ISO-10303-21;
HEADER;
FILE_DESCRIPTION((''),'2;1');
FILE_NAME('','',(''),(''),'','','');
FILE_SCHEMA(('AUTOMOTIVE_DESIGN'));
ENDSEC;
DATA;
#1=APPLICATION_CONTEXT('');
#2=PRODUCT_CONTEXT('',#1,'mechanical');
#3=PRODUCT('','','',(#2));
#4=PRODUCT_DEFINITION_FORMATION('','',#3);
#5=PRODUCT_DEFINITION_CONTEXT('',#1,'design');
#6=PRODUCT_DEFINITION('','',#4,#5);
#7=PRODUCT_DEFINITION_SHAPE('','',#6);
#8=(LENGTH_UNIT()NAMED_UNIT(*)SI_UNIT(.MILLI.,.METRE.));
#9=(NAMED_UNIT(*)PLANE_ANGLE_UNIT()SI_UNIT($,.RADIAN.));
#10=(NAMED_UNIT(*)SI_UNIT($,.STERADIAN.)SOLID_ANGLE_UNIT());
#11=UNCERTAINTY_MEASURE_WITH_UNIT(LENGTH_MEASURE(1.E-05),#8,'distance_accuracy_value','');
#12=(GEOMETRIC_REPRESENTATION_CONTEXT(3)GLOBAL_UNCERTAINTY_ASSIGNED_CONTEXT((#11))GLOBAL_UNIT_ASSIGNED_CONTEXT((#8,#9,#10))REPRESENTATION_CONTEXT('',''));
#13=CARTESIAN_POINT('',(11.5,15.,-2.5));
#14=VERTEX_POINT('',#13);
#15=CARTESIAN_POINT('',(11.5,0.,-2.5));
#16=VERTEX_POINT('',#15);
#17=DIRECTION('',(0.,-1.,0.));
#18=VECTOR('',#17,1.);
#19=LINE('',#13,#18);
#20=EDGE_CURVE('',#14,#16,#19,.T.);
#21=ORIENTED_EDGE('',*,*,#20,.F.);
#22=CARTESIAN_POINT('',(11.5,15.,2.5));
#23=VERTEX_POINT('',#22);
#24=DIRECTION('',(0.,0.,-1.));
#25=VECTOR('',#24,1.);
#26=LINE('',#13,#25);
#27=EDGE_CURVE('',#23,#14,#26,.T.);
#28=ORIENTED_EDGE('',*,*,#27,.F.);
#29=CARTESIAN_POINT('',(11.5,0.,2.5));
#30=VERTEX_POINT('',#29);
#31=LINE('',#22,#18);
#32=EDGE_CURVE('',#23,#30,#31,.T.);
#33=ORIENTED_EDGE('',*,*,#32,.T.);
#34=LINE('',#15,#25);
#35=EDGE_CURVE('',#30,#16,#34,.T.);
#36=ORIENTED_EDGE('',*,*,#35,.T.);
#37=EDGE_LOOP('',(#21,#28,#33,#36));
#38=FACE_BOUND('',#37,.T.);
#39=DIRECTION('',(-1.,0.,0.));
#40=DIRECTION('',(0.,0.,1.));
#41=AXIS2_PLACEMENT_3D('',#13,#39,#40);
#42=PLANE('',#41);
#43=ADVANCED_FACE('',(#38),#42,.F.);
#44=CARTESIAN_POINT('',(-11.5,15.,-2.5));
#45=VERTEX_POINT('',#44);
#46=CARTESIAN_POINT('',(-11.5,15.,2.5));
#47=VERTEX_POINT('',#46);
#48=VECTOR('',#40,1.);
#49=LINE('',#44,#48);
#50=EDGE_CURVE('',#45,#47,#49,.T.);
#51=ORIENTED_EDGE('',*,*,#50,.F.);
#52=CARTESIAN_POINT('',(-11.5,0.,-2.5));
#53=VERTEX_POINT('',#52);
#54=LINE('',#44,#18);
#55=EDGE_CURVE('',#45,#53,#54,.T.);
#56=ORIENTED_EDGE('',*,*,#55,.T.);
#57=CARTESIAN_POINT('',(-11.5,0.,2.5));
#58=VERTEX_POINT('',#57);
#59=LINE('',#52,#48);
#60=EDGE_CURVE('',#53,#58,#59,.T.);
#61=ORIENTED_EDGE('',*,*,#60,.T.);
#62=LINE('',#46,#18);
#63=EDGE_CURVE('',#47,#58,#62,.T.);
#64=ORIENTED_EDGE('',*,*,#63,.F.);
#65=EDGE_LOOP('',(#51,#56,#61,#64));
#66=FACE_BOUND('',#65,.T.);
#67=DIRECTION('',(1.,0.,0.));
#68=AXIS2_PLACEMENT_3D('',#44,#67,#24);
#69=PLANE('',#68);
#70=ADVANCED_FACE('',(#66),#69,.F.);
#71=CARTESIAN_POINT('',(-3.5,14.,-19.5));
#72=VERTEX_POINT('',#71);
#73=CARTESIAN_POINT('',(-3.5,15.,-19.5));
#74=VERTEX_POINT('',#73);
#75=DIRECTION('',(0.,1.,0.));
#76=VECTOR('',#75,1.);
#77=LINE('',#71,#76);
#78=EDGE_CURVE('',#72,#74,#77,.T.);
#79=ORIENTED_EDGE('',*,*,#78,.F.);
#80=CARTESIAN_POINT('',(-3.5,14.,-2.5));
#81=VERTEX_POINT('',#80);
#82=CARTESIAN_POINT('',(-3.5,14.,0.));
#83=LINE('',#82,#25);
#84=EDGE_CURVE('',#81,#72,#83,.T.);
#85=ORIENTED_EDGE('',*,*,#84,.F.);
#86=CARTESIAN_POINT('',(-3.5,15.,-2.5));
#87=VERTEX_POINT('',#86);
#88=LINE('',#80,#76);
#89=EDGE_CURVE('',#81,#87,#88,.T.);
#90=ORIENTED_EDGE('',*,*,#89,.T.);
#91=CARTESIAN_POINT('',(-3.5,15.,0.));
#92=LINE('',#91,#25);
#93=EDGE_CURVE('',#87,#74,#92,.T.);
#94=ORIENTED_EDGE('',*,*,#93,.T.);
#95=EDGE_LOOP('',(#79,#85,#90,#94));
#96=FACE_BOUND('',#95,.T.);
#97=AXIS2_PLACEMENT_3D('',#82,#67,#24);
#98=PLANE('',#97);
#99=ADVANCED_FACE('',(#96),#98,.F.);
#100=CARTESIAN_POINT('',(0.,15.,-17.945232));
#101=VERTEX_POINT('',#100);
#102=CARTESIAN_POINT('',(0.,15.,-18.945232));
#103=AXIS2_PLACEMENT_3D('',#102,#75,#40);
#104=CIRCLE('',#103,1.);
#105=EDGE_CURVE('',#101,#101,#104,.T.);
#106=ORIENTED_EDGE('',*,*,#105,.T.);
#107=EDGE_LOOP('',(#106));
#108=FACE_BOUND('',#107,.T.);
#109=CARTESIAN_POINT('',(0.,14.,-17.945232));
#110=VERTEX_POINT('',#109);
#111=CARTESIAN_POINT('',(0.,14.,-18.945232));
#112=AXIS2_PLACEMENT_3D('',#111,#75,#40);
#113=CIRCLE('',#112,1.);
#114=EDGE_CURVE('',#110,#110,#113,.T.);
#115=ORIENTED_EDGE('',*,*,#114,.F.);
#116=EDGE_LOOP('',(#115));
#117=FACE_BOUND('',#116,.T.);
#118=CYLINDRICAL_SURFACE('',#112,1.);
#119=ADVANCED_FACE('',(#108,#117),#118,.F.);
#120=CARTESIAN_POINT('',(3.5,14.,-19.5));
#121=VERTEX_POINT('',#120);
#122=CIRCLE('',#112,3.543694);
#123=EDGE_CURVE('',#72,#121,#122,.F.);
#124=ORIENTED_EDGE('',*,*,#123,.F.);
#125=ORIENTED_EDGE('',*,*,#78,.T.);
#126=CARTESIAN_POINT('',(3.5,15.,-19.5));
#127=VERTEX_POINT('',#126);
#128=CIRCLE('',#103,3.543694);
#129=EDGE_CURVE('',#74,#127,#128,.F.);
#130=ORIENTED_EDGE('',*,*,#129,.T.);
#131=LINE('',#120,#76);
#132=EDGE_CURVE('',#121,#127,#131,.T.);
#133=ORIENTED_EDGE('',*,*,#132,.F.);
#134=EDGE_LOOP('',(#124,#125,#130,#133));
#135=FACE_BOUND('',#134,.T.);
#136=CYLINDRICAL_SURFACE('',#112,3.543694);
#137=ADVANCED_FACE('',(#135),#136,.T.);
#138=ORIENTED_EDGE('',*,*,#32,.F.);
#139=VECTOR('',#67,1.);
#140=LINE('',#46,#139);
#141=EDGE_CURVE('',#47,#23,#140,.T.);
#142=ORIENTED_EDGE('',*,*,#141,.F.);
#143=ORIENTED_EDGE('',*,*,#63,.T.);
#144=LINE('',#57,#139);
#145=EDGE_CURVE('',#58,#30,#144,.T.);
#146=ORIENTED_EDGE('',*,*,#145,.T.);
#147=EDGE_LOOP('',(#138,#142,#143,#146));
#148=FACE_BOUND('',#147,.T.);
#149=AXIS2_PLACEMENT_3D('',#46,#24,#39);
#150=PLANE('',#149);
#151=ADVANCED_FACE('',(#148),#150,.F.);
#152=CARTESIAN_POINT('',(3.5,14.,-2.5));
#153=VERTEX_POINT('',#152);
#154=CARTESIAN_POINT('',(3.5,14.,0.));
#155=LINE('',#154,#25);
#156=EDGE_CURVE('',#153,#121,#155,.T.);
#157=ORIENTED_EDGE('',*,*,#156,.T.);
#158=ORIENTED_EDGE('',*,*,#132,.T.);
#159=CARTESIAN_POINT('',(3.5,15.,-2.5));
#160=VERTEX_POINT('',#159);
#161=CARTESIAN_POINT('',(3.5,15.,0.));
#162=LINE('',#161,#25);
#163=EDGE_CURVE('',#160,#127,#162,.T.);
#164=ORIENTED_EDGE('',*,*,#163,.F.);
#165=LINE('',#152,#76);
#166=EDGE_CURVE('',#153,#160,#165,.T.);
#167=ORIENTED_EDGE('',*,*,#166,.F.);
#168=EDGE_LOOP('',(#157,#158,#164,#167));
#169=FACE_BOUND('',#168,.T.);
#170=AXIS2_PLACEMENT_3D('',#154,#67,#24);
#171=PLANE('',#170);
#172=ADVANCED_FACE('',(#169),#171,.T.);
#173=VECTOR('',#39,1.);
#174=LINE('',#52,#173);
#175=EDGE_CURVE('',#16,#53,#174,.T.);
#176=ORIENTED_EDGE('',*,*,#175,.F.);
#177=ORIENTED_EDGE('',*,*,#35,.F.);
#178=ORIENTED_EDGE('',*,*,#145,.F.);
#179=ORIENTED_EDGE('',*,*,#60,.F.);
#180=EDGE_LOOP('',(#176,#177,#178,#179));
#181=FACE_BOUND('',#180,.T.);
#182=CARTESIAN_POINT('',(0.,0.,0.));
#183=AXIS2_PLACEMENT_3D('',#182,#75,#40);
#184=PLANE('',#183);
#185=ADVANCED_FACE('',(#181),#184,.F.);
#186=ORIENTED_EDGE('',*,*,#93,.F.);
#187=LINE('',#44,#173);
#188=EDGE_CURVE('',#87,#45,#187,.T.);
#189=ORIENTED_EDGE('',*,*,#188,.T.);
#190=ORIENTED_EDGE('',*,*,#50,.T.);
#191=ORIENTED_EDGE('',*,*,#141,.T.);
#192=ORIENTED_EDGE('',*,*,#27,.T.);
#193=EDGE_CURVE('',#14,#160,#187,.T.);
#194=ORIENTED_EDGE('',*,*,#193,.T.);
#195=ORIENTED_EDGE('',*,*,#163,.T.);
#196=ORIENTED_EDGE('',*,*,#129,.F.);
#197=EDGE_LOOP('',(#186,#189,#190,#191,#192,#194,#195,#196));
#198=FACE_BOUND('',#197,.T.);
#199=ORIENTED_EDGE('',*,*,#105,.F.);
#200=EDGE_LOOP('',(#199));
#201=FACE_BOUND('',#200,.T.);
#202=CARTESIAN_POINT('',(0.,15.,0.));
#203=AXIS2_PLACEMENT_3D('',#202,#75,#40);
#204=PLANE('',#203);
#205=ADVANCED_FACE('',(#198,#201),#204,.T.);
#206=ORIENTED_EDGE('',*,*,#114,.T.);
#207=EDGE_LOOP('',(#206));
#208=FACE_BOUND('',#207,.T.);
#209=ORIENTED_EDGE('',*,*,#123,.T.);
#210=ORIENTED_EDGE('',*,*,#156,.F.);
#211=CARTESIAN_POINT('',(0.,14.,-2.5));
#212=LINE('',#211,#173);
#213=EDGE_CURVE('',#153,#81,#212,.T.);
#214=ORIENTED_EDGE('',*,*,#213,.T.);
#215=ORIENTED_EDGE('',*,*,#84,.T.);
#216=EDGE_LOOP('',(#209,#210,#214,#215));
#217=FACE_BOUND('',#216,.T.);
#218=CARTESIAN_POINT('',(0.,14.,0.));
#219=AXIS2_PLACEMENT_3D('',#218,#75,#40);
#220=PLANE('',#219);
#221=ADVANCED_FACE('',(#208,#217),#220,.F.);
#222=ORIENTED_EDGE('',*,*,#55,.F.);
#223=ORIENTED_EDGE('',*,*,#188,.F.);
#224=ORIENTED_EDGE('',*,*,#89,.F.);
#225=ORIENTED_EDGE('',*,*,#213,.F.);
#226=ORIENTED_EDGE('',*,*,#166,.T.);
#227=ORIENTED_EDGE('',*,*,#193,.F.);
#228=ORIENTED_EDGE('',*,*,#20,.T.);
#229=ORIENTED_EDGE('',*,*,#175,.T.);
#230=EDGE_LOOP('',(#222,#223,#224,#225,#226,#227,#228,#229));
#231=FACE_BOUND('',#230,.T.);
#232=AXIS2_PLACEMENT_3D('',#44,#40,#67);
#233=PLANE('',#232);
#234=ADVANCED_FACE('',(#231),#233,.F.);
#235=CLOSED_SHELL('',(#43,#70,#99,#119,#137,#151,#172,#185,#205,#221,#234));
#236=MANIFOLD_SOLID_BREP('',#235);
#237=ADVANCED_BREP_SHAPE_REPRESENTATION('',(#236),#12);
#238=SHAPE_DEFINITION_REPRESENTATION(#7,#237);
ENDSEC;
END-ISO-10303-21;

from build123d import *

# Parameters (mm, degrees)
SKETCH1_W           = 23
SKETCH1_H           = 5
BOSS_EXTRUDE1_DEPTH = 15
SKETCH3_R           = 1
BOSS_EXTRUDE4_DEPTH = 1


with BuildPart() as part:
    # Sketch1 → Boss-Extrude1 (new body)
    with BuildSketch(Plane(origin=(0, 0, 0), x_dir=(1, 0, 0), z_dir=(0, 1, 0))):
        Rectangle(SKETCH1_W, SKETCH1_H)
    extrude(amount=BOSS_EXTRUDE1_DEPTH)

    # Sketch3 → Boss-Extrude4 (add)
    with BuildSketch(Plane(origin=(0, 15, 0), x_dir=(1, 0, 0), z_dir=(0, 1, 0))):
        with BuildLine():
            Line((-3.5, 19.5), (-3.5, 2.5))
            Line((-3.5, 2.5), (3.5, 2.5))
            Line((3.5, 2.5), (3.5, 19.5))
            ThreePointArc((3.5, 19.5), (0, 22.488926095), (-3.5, 19.5))
        make_face()
        with Locations((0, 18.945232051)):
            Circle(SKETCH3_R, mode=Mode.SUBTRACT)
    extrude(amount=-BOSS_EXTRUDE4_DEPTH)


solid = part.part
